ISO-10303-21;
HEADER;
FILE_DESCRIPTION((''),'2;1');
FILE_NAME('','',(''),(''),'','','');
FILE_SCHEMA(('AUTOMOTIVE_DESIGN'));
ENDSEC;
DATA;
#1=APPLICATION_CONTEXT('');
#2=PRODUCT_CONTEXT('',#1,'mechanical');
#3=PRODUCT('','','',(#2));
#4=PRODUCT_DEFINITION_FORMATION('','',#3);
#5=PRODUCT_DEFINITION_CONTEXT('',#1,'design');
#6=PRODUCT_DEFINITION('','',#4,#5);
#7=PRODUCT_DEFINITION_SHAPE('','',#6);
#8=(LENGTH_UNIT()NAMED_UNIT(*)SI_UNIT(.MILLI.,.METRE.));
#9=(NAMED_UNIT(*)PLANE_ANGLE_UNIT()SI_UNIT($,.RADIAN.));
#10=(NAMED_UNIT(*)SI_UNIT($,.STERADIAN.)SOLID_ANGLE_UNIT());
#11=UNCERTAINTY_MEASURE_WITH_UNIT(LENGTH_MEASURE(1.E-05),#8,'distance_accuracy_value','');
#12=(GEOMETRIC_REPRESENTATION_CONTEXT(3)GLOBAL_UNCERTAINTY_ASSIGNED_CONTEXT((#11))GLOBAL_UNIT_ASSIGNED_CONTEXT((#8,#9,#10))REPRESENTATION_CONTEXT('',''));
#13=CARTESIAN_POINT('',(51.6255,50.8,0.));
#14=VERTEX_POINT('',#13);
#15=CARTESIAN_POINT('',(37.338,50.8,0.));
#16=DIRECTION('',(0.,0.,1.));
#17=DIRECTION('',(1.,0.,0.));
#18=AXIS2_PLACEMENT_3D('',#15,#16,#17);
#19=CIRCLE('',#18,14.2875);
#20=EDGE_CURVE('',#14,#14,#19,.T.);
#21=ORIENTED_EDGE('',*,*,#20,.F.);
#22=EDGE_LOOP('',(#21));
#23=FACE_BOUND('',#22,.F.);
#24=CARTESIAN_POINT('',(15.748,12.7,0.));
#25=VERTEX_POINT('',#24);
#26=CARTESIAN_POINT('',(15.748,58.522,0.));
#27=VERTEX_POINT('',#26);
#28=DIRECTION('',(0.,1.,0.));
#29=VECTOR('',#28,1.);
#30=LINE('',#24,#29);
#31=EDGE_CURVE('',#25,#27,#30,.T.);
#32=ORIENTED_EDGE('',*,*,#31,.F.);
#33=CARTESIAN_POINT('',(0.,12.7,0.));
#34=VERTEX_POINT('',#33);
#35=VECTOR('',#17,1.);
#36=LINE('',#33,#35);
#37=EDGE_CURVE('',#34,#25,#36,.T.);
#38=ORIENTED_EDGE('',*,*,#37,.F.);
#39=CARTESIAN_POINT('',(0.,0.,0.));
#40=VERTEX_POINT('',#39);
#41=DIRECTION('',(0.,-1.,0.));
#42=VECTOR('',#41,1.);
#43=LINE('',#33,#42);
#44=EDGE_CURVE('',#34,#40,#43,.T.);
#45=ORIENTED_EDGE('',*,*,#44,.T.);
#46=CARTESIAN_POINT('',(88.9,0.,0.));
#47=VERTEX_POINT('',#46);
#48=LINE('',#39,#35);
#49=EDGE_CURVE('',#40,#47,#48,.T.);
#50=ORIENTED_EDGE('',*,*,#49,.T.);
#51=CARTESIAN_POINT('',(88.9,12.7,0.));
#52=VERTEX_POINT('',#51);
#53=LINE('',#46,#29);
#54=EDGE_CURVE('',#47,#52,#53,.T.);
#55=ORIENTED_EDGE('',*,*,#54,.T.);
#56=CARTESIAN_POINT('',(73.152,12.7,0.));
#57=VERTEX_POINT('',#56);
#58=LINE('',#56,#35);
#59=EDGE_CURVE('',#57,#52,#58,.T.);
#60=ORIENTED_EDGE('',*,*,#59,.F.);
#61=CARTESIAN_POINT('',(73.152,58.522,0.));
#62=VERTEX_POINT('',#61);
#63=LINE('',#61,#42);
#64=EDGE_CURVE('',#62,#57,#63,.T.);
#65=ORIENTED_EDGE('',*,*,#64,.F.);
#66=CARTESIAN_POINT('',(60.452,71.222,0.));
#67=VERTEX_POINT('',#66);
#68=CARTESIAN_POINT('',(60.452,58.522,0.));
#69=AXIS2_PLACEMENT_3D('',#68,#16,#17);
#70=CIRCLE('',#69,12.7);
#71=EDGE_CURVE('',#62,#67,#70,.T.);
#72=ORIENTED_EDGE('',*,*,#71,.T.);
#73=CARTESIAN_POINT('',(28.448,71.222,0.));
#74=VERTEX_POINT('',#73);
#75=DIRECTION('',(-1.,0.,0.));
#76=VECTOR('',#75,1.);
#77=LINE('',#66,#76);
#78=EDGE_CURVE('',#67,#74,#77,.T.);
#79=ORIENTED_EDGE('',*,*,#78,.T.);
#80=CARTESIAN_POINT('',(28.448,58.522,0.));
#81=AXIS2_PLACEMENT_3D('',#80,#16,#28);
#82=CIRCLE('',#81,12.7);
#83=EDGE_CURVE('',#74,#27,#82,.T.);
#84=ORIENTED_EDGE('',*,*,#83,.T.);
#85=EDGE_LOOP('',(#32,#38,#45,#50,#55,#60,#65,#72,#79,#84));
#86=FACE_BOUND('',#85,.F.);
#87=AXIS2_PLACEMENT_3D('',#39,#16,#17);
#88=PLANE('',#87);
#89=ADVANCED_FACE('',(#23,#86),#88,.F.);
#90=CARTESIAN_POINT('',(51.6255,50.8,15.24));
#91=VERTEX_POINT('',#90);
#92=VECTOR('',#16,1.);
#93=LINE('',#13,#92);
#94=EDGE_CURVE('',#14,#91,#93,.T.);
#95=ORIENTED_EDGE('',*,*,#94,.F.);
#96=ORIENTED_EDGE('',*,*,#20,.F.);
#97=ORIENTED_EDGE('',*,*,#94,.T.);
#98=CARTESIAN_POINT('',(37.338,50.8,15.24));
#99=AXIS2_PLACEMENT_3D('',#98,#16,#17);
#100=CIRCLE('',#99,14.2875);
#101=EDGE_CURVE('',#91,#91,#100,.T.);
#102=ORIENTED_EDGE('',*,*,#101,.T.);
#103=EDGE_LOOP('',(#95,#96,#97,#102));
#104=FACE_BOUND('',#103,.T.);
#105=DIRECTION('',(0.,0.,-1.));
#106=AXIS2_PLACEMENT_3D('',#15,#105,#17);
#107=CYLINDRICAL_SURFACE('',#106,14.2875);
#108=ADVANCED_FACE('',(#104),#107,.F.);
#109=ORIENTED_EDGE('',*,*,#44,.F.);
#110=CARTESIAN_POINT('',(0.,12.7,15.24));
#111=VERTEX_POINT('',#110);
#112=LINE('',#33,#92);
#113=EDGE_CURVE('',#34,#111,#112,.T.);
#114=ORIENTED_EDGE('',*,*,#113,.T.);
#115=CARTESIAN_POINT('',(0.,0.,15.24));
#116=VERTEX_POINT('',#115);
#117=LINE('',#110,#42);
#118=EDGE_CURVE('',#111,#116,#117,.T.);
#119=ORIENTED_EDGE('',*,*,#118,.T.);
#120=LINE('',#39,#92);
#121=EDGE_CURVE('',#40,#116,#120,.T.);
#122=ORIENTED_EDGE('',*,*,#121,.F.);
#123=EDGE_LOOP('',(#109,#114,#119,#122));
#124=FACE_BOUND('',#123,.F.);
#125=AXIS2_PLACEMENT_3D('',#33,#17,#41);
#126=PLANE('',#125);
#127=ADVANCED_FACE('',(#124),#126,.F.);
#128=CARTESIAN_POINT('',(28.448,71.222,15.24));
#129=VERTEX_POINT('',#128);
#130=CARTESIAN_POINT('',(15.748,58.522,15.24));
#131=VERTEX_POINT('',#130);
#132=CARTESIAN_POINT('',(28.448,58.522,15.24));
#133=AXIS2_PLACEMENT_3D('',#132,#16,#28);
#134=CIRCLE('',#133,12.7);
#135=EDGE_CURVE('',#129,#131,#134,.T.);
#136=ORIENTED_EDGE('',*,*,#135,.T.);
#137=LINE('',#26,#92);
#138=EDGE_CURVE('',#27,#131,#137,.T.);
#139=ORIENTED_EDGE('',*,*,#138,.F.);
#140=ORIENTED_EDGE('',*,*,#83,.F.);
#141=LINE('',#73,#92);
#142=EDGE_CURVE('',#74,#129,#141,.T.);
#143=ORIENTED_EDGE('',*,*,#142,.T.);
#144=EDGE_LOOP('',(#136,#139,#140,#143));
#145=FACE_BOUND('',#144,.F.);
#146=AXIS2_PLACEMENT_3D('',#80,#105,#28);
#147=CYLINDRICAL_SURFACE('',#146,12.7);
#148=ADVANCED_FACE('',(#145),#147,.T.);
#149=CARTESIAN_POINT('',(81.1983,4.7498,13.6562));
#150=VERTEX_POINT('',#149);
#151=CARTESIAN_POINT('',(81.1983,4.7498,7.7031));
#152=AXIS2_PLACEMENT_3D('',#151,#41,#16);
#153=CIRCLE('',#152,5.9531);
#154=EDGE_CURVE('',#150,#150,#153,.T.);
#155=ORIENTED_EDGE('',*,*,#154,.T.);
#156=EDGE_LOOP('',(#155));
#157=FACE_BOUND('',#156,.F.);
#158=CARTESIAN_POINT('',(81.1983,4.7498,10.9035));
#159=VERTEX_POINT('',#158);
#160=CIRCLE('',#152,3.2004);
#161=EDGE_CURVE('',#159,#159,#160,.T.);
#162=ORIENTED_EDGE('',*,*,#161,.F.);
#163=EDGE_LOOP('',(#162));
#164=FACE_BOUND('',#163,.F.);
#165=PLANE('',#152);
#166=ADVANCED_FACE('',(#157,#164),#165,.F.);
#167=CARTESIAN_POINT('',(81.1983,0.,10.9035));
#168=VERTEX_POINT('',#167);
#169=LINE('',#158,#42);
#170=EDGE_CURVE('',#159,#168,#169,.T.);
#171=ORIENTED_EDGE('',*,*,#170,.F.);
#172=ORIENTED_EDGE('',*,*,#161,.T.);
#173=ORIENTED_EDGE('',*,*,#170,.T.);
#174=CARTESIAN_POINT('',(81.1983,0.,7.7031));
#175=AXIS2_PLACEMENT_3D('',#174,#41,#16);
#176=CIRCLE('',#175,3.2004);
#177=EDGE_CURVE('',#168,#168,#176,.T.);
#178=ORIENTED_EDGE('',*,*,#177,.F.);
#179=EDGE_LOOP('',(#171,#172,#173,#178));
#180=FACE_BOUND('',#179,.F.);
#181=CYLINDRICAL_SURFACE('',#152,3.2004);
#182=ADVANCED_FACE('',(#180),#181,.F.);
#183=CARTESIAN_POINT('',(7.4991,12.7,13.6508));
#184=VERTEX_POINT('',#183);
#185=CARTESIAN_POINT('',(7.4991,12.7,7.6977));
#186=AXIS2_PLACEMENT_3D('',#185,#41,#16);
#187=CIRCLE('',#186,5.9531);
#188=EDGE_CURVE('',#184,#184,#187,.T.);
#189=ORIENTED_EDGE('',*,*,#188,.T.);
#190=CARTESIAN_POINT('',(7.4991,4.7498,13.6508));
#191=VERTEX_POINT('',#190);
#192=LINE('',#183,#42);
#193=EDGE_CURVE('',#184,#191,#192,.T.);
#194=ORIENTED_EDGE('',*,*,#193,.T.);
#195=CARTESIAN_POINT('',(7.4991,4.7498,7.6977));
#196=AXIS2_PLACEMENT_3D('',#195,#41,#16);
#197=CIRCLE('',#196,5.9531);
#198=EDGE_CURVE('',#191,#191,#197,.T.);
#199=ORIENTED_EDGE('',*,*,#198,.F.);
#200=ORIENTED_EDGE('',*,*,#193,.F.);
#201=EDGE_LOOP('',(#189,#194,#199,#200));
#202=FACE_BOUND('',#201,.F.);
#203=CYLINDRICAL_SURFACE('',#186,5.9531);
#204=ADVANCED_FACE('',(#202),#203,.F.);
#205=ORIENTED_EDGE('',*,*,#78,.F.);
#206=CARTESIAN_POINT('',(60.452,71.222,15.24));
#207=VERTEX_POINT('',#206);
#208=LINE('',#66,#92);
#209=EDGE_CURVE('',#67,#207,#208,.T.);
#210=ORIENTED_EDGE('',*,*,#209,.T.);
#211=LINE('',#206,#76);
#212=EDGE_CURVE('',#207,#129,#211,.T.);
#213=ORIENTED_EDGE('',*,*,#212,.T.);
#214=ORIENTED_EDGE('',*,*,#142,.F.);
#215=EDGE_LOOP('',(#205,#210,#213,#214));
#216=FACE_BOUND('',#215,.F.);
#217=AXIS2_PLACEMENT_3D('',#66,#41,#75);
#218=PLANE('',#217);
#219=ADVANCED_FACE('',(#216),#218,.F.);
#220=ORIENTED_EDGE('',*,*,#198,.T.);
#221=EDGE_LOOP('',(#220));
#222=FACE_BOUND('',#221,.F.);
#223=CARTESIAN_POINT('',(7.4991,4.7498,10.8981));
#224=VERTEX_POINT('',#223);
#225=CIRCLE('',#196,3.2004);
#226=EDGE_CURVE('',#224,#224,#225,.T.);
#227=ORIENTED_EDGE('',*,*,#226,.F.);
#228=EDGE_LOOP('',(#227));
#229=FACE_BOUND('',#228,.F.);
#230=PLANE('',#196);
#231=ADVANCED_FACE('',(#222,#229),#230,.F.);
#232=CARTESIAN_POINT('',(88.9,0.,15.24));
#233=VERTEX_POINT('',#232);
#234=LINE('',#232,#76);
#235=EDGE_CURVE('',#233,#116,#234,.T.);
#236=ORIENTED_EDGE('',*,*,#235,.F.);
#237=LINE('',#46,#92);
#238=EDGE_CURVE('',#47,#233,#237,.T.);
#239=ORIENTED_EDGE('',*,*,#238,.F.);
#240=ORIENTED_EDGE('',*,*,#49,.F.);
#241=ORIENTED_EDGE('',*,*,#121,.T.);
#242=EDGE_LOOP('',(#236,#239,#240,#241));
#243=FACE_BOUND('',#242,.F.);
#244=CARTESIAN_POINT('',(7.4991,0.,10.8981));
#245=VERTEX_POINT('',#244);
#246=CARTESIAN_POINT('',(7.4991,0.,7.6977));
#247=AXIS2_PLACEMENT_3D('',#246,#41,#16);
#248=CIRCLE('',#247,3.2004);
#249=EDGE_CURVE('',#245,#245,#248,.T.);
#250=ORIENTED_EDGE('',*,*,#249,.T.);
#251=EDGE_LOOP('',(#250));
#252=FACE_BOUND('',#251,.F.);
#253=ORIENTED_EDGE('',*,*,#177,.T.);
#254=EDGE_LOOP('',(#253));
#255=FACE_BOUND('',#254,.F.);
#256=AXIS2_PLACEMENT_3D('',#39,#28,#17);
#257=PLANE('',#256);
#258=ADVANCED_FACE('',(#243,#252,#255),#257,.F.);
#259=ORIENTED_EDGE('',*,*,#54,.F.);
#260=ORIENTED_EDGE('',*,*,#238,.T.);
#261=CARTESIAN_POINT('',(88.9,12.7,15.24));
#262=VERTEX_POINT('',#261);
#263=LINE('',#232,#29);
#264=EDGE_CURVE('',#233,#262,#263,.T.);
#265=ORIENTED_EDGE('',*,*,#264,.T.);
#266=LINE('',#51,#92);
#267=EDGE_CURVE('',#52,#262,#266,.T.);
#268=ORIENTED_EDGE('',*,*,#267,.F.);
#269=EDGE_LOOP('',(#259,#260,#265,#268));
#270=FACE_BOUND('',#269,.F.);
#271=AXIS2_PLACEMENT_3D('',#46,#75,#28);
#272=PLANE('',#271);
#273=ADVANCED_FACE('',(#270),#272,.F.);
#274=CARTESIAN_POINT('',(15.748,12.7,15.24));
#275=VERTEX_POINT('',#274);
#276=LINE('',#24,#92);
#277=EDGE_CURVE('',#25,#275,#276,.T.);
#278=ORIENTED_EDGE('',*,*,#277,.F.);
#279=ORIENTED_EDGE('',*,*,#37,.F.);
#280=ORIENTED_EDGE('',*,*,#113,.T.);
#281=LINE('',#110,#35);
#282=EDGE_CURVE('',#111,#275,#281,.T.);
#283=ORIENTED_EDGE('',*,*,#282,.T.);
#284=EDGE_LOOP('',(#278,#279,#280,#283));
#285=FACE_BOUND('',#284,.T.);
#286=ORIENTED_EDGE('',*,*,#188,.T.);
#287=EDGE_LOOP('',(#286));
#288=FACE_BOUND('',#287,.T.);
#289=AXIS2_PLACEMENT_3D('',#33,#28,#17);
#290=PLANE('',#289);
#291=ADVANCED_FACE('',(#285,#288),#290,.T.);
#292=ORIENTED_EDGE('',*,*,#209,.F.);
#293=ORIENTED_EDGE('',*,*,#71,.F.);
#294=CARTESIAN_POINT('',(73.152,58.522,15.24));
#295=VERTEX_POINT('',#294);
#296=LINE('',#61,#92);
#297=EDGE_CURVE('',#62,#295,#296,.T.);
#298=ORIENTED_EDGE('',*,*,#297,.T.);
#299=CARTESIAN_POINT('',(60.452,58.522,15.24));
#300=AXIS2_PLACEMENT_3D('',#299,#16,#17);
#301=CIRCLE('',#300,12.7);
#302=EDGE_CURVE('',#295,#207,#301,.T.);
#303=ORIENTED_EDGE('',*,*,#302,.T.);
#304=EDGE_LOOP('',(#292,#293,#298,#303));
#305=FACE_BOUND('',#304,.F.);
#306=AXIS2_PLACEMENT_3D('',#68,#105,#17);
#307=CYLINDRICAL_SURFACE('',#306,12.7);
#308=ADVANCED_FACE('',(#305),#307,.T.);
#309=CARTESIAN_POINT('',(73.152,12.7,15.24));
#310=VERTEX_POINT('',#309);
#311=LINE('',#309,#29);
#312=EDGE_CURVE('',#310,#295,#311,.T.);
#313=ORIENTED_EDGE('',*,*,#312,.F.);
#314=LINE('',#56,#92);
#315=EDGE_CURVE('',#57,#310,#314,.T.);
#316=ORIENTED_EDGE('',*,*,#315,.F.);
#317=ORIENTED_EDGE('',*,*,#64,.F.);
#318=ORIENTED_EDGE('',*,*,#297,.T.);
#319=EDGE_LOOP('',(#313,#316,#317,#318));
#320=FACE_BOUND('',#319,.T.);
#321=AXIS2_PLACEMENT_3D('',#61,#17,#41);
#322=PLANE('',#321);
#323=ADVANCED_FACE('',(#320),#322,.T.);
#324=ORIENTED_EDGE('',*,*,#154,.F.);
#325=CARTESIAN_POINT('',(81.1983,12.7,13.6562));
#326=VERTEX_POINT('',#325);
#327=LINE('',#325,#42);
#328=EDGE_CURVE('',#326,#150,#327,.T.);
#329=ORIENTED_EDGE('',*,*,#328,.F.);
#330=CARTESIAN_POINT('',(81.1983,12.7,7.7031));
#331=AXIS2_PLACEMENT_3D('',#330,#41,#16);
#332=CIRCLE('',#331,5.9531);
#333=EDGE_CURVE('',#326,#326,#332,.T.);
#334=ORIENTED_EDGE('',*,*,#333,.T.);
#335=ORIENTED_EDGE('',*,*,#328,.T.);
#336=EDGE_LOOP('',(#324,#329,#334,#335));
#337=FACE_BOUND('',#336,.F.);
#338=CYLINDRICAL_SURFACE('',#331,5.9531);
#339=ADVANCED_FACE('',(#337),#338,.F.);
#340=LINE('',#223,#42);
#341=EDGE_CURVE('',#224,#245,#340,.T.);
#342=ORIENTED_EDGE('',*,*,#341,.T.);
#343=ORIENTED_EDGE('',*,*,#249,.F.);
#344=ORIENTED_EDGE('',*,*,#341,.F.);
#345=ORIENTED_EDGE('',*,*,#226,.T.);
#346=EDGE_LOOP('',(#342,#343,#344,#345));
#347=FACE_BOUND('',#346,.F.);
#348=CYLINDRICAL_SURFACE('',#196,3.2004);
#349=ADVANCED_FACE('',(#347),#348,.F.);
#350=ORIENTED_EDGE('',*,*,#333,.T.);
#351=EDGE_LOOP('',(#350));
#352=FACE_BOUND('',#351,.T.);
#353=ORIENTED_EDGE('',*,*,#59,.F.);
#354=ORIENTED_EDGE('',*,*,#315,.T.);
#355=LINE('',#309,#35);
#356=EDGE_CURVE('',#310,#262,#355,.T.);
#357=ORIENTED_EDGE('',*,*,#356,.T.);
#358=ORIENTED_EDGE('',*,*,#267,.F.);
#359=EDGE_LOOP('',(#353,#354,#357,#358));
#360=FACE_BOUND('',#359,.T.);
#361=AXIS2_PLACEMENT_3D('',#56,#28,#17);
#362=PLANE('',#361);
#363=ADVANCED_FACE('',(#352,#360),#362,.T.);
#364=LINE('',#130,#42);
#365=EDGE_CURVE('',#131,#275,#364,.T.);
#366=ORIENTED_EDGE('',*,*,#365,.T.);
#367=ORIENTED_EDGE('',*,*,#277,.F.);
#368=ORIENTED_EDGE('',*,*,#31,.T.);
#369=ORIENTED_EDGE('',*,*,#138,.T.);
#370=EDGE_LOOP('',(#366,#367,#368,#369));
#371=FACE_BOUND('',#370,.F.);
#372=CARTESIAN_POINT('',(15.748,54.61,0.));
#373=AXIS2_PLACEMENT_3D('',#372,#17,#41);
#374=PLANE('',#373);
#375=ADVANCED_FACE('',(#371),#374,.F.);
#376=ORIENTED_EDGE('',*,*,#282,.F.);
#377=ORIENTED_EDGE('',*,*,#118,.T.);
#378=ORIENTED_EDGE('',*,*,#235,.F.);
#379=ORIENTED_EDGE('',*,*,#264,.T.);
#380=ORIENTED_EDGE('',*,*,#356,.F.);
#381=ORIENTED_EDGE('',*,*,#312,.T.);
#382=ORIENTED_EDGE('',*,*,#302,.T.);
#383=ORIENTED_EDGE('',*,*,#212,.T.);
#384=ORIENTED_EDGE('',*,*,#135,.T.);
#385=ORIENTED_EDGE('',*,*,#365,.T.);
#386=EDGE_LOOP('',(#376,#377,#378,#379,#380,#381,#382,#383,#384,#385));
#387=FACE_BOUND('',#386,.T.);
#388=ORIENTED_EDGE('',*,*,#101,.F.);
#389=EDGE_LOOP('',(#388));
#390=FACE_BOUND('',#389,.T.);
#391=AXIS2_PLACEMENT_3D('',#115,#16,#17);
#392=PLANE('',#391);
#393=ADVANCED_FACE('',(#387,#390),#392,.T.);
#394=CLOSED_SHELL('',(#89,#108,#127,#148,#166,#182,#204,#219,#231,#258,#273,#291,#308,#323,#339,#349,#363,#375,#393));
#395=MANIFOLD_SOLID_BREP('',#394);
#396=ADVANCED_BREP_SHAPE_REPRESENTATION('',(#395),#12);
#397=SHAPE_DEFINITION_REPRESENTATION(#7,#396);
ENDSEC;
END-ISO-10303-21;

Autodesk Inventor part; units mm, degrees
ref_plane "YZ Plane" through (0, 0, 0) normal (1, 0, 0) x (0, 1, 0)
ref_plane "XZ Plane" through (0, 0, 0) normal (0, 1, 0) x (-1, 0, 0)
ref_plane "XY Plane" through (0, 0, 0) normal (0, 0, 1) x (1, 0, 0)
sketch "Sketch1" plane through (0, 0, 0) normal (0, 0, 1) x (1, 0, 0)
  line L0 (0, 0) -> (88.9, 0)
  line L1 (88.9, 0) -> (88.9, 12.7)
  line L2 (0, 12.7) -> (0, 0)
  line L3 (0, 12.7) -> (0, 0)
  circle A0 centre (37.338, 50.8) radius 14.2875
  line L4 (0, 0) -> (0, 12.7)
  line L5 (0, 0) -> (0, 12.7)
  line L6 (0, 12.7) -> (15.748, 12.7)
  line L7 (13.208, 0) -> (0, 0)
  line L8 (15.748, 12.7) -> (0, 12.7)
  line L9 (15.748, 54.61) -> (15.748, 12.7)
  line L10 (88.9, 0) -> (62.992, 0)
  line L11 (73.152, 12.7) -> (88.9, 12.7)
  line L12 (88.9, 12.7) -> (88.9, 0)
  line L13 (73.152, 12.7) -> (73.152, 54.61)
  line L14 (60.452, 71.222) -> (28.448, 71.222)
  line L15 (15.748, 54.61) -> (15.748, 58.522)
  line L16 (73.152, 58.522) -> (73.152, 54.61)
  arc A1 (28.448, 71.222) -> (15.748, 58.522) centre (28.448, 58.522) ccw
  arc A2 (73.152, 58.522) -> (60.452, 71.222) centre (60.452, 58.522) ccw
  point P0 (65.9232, 76.2)
  point P1 (0, 12.7)
  dimension "d9" = 28.575
  dimension "d10" = 88.9
  dimension "d56" = 12.7
  dimension "d57" = 15.748
  dimension "d79" = 21.59
  dimension "d83" = 15.748
  dimension "d87" = 12.7
  dimension "d111" = 41.91
  dimension "d112" = 41.91
  dimension "d118" = 25.4
  dimension "d119" = 12.7
extrude "Extrusion7" add sketch "Sketch1" along normal blind 15.24
sketch "Sketch9" plane through (73.152, 12.7, 0) normal (0, 1, 0) x (1, 0, 0)
  point P0 (-73.152, 0)
  point P1 (8.0463, -7.7031)
hole "Hole4" at (81.1983, 12.7, 7.7031) direction (0, -1, 0) diameter 6.4008 end through all counterbore diameter 11.9062 counterbore depth 7.9502
sketch "Sketch10" plane through (0.0713, 12.7, -0.0767) normal (0, 1, 0) x (1, 0, 0)
  point P0 (-75.692, 0)
  point P1 (7.4278, -7.7745)
hole "Hole5" at (7.4991, 12.7, 7.6977) direction (0, -1, 0) diameter 6.4008 end through all counterbore diameter 11.9062 counterbore depth 7.9502
properties part number "Updated Support_chris"
